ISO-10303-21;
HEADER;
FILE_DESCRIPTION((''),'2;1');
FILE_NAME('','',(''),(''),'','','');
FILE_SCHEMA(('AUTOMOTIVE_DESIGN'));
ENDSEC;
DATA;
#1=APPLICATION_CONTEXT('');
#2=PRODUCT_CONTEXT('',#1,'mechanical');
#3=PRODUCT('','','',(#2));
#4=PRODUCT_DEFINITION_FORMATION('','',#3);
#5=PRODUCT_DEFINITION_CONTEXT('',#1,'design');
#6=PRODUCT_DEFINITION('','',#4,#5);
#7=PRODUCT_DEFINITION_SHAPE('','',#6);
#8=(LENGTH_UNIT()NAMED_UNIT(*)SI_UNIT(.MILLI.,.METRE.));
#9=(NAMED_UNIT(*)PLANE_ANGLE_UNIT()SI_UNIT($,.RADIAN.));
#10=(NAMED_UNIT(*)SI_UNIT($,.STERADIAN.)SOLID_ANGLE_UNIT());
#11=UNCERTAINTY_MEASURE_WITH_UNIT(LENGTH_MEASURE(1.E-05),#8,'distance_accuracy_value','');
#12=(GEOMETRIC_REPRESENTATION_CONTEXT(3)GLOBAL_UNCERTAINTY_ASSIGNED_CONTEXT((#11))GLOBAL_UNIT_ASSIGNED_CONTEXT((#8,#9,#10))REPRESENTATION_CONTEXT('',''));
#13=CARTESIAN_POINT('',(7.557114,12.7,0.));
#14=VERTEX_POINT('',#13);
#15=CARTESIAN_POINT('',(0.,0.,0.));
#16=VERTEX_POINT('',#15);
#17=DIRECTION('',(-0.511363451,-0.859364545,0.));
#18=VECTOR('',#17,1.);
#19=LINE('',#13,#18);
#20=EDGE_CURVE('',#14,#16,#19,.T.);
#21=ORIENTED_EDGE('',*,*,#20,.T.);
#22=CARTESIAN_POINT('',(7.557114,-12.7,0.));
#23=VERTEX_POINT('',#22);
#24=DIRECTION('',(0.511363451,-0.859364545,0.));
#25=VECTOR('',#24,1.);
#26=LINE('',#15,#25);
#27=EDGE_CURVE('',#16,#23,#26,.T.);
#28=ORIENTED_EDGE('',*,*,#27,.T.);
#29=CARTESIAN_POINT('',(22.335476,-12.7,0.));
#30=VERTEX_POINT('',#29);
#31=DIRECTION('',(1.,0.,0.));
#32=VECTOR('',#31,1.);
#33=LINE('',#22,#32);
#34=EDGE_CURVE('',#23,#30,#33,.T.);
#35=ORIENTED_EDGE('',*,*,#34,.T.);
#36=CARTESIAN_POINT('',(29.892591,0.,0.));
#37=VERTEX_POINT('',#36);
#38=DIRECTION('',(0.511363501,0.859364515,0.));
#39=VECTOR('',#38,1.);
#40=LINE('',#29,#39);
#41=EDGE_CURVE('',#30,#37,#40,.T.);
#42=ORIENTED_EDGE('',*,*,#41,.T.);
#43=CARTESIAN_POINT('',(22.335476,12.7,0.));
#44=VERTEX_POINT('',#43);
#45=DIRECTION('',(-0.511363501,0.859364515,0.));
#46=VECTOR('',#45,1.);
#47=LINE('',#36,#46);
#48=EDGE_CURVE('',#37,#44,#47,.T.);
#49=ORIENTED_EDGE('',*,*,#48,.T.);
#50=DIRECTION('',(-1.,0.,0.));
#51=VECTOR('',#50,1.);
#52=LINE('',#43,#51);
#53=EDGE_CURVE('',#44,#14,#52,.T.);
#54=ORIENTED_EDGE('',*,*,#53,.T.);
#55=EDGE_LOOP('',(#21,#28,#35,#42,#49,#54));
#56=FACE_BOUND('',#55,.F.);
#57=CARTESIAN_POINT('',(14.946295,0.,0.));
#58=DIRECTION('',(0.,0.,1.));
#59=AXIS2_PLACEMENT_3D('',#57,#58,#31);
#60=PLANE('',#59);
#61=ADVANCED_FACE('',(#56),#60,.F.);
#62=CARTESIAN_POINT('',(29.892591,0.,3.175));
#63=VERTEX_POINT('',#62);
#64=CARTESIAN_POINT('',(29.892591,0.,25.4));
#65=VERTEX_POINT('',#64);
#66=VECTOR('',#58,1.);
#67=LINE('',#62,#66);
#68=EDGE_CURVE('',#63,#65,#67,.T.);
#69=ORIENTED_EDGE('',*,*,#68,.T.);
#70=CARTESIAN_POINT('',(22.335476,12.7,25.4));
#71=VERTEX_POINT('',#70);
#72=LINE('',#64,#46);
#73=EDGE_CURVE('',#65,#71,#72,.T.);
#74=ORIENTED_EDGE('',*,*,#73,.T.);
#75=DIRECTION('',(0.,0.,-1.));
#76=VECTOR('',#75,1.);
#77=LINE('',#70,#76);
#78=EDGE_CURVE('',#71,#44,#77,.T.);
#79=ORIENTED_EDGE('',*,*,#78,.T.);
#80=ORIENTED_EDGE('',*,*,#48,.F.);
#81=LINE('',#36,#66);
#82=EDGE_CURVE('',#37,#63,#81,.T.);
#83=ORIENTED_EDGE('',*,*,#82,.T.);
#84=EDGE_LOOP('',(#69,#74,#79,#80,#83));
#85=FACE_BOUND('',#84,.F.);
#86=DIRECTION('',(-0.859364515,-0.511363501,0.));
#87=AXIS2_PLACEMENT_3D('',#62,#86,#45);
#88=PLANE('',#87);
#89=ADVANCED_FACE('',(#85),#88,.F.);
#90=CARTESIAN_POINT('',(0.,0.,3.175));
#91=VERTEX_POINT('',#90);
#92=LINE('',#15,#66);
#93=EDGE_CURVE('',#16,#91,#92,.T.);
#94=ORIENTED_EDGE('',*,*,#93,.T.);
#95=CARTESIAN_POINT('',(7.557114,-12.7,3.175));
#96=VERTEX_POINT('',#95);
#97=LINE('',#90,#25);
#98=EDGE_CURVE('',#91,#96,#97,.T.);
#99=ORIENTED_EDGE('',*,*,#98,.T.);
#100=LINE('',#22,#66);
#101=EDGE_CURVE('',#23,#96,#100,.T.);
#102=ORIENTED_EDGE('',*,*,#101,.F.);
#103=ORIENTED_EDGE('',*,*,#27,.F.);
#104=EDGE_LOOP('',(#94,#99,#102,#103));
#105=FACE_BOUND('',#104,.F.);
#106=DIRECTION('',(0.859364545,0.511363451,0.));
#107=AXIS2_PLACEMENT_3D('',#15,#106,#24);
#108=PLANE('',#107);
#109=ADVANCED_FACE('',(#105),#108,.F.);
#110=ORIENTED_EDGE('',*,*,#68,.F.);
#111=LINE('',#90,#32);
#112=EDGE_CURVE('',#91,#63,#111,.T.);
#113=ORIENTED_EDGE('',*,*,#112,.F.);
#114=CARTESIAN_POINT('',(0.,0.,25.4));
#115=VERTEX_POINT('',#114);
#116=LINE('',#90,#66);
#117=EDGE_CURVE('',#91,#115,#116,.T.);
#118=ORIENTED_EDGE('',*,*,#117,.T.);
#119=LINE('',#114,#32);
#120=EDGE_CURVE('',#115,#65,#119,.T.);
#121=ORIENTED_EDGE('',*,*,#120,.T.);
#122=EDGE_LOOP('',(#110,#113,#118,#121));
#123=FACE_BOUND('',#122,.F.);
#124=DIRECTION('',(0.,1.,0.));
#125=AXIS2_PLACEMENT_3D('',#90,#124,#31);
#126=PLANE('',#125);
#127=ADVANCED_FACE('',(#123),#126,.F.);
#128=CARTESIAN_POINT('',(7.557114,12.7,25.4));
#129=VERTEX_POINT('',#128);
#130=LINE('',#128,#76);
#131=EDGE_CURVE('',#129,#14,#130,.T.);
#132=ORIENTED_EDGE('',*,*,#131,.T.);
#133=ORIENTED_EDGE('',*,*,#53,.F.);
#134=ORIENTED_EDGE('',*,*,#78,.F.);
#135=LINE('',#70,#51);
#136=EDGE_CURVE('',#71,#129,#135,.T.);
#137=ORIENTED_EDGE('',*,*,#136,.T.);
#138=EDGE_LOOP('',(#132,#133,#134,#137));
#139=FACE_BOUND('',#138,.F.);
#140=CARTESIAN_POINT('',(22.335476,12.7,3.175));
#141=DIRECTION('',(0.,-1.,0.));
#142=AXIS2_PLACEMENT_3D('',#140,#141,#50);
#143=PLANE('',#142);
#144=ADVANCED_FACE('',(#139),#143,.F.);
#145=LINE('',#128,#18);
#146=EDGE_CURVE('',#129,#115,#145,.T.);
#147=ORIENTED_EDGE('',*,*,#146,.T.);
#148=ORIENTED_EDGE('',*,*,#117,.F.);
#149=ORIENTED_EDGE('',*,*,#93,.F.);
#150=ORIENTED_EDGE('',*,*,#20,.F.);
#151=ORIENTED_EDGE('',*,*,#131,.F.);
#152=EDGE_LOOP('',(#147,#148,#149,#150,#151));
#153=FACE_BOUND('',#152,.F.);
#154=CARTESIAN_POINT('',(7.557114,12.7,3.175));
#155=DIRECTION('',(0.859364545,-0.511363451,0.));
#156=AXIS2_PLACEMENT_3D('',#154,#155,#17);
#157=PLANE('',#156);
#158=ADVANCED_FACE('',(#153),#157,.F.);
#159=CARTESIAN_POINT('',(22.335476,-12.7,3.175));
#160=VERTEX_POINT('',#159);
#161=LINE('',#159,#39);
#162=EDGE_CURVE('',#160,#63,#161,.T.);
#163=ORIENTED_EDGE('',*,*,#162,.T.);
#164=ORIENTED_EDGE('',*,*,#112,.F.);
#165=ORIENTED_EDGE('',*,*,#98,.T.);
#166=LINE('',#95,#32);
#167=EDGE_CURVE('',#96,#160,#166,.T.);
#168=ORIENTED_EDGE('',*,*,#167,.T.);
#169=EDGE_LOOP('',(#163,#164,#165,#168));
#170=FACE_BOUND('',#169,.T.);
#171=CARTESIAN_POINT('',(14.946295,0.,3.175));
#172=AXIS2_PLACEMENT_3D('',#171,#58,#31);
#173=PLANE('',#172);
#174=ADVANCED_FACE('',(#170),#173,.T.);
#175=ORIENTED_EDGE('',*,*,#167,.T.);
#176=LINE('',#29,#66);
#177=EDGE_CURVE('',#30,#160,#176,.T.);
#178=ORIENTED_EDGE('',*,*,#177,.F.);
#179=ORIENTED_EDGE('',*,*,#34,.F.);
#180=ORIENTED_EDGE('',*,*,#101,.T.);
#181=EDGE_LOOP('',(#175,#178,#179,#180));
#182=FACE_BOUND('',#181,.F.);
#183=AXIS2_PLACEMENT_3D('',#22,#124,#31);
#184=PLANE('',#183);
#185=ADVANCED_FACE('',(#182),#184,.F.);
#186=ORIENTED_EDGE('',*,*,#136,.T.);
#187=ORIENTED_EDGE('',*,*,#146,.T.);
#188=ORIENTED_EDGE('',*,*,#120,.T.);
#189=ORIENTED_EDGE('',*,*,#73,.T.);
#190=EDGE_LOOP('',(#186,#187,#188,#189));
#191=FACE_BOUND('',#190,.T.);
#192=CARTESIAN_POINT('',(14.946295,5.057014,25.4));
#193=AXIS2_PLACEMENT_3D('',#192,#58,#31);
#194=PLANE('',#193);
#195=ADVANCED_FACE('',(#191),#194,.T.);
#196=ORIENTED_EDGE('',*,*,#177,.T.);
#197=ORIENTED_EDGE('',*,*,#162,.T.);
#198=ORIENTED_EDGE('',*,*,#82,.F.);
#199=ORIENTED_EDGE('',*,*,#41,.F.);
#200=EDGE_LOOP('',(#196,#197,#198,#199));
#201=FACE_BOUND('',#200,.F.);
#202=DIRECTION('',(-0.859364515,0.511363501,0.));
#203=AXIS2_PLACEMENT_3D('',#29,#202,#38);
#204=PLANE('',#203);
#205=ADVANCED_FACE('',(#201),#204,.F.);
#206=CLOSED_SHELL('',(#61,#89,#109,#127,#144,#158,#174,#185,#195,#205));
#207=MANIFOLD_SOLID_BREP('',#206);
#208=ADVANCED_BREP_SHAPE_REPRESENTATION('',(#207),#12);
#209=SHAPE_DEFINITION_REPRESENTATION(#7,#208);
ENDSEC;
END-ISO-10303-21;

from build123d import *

# Parameters (mm, degrees)
F1_DEPTH = 3.175
F3_DEPTH = 22.225


with BuildPart() as f1:
    # F0 (on Top) → F1 (new body)
    with BuildSketch(Plane.XY):
        Polygon((7.557114, 12.7), (0, 0), (7.557114, -12.7), (22.335476, -12.7), (29.892591, 0), (22.335476, 12.7), align=None)
    extrude(amount=F1_DEPTH)

    # F2 (on face) → F3 (join)
    with BuildSketch(Plane.XY.offset(3.175)):
        Polygon((7.557114, 12.7), (0, 0), (29.892591, 0), (22.335476, 12.7), align=None)
    extrude(amount=F3_DEPTH)


solid = f1.part
